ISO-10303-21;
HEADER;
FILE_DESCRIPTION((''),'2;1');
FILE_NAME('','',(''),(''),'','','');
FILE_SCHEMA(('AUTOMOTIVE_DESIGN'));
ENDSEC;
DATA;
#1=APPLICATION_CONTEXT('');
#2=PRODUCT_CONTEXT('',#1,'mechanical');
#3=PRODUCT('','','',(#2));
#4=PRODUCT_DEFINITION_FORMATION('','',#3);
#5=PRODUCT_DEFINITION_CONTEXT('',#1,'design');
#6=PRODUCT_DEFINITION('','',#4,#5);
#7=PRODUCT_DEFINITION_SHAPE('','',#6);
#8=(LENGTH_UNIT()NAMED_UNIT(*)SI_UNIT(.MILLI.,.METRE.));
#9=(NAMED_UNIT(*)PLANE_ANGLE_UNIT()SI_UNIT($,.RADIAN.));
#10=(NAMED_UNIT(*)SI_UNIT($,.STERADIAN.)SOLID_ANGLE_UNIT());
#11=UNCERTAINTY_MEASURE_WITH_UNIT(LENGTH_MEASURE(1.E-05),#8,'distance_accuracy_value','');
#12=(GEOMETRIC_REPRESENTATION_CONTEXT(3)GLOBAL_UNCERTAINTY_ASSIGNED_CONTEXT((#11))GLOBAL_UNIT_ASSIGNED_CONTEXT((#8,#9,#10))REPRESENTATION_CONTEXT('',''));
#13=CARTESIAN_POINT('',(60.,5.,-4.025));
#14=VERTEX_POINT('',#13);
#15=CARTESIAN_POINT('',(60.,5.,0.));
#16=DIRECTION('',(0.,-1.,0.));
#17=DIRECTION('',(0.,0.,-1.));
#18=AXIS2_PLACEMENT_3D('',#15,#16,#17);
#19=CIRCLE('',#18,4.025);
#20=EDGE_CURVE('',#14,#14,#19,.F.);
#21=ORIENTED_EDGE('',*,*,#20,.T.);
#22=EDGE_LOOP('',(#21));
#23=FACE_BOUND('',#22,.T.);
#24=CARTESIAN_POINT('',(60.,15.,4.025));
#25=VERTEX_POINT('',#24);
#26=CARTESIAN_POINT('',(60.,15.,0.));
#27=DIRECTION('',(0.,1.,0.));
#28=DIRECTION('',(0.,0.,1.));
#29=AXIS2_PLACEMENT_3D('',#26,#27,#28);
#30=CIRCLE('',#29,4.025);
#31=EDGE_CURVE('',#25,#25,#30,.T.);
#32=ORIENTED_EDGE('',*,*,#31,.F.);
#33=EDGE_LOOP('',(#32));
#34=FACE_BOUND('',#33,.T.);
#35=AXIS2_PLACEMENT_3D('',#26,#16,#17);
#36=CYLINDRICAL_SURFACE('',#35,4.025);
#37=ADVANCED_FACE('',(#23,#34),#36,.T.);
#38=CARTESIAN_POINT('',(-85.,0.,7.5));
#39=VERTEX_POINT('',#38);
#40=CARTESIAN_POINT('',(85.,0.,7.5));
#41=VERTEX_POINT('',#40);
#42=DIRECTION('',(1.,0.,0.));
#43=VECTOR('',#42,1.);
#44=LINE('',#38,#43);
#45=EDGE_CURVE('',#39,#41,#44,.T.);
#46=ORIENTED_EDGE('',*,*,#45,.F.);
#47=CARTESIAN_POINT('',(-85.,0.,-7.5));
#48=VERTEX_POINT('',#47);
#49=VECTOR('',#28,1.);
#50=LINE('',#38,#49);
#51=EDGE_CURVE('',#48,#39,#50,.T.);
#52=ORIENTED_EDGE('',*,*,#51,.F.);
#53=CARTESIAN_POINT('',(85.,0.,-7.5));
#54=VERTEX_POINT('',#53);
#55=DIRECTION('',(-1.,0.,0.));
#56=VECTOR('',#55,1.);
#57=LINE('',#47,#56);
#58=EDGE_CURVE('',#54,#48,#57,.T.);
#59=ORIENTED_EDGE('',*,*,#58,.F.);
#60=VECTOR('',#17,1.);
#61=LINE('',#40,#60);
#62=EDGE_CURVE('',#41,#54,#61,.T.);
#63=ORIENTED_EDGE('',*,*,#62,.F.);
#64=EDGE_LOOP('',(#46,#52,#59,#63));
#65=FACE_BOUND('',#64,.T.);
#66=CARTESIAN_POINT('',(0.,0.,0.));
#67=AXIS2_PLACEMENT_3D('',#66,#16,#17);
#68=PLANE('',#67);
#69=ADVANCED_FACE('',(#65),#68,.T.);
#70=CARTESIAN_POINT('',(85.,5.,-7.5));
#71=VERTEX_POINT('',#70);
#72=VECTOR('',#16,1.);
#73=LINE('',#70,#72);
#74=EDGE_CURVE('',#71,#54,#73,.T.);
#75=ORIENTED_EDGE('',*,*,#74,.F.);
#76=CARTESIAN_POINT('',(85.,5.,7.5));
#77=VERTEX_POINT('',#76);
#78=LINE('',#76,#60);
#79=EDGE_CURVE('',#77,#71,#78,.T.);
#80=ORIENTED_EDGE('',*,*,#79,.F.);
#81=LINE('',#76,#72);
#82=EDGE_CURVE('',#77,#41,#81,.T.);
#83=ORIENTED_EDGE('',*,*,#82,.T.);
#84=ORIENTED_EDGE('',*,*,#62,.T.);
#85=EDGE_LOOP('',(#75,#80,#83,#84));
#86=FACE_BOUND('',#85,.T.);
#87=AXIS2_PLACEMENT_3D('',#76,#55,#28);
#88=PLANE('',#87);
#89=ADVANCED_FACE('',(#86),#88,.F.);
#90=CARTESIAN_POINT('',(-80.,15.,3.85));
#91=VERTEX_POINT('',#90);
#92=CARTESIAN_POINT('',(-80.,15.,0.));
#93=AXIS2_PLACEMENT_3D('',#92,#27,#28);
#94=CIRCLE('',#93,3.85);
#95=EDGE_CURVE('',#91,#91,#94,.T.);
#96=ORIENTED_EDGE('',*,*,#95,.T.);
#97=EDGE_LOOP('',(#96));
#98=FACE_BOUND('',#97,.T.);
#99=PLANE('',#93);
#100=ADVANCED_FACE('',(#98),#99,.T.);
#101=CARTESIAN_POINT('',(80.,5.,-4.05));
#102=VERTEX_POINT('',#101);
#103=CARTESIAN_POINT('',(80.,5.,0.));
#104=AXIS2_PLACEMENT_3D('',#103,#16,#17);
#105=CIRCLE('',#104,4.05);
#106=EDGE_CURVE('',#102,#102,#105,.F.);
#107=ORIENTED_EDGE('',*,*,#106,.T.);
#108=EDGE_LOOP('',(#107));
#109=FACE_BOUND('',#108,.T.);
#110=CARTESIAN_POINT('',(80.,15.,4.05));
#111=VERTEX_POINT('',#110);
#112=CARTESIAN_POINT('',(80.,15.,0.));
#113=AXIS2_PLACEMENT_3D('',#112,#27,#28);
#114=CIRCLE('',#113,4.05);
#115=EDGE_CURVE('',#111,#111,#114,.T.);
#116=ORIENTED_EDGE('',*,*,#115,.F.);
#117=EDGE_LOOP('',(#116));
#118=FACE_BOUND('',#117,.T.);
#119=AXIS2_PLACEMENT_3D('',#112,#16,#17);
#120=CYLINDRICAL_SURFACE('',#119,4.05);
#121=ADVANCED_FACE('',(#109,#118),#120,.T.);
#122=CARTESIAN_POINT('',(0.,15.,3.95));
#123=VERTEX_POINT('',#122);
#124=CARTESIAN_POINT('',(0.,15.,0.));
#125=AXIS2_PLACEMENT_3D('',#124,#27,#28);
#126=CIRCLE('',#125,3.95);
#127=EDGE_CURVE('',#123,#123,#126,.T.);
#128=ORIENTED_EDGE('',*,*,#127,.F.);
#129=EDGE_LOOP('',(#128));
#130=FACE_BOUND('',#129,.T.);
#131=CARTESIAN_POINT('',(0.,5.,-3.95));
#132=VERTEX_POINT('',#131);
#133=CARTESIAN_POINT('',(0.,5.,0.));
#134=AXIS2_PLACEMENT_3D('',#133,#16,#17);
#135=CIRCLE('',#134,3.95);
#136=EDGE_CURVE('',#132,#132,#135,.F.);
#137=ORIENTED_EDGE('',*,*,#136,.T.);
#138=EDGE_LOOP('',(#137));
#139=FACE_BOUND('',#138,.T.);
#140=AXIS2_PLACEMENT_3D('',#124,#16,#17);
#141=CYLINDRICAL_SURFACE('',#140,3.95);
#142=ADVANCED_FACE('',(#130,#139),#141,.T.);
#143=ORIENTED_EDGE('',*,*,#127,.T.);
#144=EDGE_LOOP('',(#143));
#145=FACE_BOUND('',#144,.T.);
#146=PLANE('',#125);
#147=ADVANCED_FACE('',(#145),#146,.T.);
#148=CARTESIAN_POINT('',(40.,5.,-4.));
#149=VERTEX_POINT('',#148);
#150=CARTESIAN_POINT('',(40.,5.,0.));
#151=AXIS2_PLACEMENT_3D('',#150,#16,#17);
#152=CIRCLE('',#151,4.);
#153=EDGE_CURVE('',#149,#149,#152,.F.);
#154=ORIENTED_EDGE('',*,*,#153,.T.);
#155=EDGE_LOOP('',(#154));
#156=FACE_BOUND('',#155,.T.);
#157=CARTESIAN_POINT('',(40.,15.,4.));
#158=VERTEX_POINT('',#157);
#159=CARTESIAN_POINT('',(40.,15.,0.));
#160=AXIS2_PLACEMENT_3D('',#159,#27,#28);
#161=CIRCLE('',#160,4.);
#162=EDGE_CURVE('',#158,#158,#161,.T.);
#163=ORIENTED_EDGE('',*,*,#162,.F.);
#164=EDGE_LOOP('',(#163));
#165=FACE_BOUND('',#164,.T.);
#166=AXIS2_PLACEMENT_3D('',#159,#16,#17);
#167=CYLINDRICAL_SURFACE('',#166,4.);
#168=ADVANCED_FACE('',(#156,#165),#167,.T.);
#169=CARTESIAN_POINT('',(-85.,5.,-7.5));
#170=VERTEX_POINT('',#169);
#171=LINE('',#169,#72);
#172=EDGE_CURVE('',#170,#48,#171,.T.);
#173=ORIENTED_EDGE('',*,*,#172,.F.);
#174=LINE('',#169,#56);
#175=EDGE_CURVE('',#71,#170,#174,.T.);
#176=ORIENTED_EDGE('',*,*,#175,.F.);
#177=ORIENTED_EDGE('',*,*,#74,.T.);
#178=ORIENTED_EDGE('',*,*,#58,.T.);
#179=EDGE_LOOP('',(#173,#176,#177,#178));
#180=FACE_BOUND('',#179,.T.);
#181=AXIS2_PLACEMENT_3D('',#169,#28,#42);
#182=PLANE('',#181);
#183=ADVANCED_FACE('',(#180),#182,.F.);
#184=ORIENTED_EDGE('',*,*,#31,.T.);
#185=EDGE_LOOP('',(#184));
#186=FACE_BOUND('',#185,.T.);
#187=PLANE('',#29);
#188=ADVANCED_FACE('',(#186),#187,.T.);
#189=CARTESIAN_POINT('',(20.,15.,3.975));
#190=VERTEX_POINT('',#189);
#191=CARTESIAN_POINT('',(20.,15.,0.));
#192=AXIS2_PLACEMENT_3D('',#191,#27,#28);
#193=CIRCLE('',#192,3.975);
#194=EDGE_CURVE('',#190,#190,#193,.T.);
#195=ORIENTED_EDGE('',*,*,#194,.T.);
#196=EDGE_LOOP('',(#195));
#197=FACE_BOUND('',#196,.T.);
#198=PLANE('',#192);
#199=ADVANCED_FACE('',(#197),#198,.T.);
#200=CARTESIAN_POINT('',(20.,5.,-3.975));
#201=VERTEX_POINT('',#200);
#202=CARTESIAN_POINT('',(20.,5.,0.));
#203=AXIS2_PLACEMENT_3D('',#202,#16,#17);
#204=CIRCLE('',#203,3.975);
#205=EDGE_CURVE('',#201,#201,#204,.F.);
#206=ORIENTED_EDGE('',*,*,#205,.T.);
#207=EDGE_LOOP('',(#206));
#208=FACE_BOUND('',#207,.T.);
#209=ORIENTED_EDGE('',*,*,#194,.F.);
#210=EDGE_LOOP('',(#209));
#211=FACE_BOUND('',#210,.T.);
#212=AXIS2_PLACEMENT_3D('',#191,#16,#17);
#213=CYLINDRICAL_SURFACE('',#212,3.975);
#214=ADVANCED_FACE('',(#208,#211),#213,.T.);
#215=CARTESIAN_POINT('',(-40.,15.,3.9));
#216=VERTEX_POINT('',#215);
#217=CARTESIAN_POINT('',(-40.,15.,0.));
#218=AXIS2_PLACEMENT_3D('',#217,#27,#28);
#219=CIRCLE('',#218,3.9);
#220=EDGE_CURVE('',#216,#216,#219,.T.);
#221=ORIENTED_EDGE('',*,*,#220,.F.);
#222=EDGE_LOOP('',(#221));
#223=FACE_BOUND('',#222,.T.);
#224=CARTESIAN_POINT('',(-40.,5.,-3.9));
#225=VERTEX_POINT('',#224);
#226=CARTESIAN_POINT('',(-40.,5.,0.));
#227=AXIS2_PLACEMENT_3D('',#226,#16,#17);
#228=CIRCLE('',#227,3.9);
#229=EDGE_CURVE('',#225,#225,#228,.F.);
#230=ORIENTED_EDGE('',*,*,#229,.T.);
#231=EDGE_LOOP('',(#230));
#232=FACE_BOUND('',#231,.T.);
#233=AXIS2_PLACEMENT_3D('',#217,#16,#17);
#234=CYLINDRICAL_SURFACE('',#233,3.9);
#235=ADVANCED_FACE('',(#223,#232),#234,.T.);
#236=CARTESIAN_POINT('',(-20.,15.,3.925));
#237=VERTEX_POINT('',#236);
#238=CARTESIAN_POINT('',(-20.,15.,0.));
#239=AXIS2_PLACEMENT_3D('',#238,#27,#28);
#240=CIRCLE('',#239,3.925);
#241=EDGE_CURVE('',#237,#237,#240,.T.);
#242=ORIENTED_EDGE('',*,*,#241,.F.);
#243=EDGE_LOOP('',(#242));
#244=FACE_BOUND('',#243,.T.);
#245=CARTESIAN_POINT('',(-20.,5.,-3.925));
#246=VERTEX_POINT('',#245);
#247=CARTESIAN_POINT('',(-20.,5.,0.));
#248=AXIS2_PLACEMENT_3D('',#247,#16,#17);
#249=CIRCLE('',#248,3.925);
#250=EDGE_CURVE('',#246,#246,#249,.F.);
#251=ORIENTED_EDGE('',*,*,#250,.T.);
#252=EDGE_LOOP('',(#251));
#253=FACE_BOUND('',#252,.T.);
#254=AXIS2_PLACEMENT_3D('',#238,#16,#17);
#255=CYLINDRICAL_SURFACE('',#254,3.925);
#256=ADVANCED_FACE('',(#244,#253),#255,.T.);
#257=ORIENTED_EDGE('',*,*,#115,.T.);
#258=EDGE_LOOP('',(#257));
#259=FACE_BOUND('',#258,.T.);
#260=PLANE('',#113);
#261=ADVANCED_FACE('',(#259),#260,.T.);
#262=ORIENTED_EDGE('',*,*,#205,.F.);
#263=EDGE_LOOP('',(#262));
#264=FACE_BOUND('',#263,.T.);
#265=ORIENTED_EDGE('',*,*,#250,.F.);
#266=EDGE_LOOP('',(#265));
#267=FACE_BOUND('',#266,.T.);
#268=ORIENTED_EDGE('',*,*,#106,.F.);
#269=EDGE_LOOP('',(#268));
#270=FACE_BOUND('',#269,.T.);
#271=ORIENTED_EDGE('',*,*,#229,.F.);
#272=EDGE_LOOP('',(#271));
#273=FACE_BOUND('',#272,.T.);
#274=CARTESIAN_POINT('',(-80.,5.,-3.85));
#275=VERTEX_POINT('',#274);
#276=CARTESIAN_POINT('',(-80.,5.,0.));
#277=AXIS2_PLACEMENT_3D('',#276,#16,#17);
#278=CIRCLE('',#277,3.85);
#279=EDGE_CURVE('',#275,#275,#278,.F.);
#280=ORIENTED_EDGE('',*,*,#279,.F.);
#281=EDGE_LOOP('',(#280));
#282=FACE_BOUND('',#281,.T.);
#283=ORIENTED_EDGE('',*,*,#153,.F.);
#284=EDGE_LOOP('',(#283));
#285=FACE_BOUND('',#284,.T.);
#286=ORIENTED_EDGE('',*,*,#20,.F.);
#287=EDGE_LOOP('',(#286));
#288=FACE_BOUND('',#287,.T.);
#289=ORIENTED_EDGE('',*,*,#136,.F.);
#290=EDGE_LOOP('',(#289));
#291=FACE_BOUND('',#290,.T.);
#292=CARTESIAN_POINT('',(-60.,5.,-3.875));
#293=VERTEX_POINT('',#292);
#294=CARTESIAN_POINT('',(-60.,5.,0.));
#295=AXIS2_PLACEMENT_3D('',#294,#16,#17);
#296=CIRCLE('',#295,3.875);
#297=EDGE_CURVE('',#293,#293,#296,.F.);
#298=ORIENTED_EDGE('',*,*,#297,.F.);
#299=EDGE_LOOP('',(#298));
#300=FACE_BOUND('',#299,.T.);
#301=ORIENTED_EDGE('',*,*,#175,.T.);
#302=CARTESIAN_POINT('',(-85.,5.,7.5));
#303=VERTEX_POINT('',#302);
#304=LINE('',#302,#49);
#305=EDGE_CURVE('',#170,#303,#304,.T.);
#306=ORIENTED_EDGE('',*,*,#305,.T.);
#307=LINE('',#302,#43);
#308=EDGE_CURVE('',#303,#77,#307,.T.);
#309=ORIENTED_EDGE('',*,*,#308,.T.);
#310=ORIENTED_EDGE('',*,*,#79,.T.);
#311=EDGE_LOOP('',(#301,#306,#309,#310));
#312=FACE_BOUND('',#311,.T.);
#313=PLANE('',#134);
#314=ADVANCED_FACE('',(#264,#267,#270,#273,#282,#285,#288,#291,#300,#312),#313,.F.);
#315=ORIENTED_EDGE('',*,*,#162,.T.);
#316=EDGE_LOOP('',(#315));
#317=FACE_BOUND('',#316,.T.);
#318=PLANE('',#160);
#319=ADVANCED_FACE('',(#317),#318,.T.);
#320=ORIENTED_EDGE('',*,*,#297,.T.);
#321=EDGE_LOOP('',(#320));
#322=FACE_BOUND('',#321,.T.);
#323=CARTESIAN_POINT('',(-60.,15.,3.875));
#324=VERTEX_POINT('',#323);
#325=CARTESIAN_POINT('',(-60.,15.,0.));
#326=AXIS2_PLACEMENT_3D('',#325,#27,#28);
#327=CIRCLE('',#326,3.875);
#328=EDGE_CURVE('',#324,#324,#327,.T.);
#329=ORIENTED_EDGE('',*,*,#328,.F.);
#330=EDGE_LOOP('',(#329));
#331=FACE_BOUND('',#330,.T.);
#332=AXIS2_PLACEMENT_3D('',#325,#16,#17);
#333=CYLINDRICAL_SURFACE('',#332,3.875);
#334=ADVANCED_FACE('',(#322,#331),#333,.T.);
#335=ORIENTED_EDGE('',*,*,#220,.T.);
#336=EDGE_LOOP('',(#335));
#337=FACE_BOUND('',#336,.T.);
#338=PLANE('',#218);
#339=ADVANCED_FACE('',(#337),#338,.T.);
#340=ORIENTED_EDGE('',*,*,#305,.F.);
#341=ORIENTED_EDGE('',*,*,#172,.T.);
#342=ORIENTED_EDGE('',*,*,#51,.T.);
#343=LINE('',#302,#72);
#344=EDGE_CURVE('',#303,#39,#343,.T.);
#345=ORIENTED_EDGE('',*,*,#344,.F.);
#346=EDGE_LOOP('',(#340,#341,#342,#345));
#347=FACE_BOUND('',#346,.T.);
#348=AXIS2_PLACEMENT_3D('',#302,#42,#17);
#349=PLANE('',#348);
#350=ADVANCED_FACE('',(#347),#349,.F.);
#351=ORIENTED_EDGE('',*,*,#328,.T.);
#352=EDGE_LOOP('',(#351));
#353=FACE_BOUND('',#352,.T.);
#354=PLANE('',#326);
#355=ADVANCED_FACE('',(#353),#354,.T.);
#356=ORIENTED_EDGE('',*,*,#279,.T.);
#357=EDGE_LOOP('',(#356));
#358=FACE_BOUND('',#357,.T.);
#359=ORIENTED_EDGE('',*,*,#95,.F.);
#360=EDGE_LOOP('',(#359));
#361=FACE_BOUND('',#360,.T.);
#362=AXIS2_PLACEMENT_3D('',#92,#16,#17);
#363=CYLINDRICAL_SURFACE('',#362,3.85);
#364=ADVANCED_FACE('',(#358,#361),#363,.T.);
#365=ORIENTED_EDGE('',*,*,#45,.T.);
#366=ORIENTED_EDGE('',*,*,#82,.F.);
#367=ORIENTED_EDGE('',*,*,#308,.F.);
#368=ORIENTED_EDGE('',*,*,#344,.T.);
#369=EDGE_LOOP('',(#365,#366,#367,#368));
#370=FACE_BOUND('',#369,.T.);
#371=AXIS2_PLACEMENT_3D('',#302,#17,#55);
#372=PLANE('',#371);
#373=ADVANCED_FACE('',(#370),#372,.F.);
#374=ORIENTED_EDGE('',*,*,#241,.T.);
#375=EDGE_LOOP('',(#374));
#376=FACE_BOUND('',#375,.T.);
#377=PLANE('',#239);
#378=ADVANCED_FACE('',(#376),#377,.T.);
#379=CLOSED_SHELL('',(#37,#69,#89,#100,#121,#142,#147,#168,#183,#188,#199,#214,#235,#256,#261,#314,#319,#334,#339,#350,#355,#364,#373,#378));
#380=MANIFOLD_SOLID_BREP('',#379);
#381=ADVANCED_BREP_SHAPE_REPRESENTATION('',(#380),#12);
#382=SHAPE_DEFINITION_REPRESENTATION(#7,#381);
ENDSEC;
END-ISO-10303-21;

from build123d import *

# Parameters (mm, degrees)
SKETCH_3_W      = 170
SKETCH_3_H      = 15
EXTRUDE_3_DEPTH = 5
SKETCH_4_R      = 3.85
SKETCH_4_R_2    = 3.875
SKETCH_4_R_3    = 3.9
SKETCH_4_R_4    = 3.925
SKETCH_4_R_5    = 3.95
SKETCH_4_R_6    = 3.975
SKETCH_4_R_7    = 4
SKETCH_4_R_8    = 4.025
SKETCH_4_R_9    = 4.05
EXTRUDE_4_DEPTH = 10


with BuildPart() as part:
    # 스케치3 → 보스-돌출3 (new body)
    with BuildSketch(Plane(origin=(0, 0, 0), x_dir=(1, 0, 0), z_dir=(0, 1, 0))):
        Rectangle(SKETCH_3_W, SKETCH_3_H)
    extrude(amount=EXTRUDE_3_DEPTH)

    # 스케치4 → 보스-돌출4 (add)
    with BuildSketch(Plane(origin=(0, 5, 0), x_dir=(1, 0, 0), z_dir=(0, 1, 0))):
        with Locations(Location((-80, 0, 0), (0, 0, 90))):
            Circle(SKETCH_4_R)
        with Locations(Location((-60, 0, 0), (0, 0, 90))):
            Circle(SKETCH_4_R_2)
        with Locations(Location((-40, 0, 0), (0, 0, 90))):
            Circle(SKETCH_4_R_3)
        with Locations(Location((-20, 0, 0), (0, 0, 90))):
            Circle(SKETCH_4_R_4)
        with Locations(Location((0, 0, 0), (0, 0, 90))):
            Circle(SKETCH_4_R_5)
        with Locations(Location((20, 0, 0), (0, 0, 90))):
            Circle(SKETCH_4_R_6)
        with Locations(Location((40, 0, 0), (0, 0, 90))):
            Circle(SKETCH_4_R_7)
        with Locations(Location((60, 0, 0), (0, 0, 90))):
            Circle(SKETCH_4_R_8)
        with Locations(Location((80, 0, 0), (0, 0, 90))):
            Circle(SKETCH_4_R_9)
    extrude(amount=EXTRUDE_4_DEPTH)


solid = part.part
